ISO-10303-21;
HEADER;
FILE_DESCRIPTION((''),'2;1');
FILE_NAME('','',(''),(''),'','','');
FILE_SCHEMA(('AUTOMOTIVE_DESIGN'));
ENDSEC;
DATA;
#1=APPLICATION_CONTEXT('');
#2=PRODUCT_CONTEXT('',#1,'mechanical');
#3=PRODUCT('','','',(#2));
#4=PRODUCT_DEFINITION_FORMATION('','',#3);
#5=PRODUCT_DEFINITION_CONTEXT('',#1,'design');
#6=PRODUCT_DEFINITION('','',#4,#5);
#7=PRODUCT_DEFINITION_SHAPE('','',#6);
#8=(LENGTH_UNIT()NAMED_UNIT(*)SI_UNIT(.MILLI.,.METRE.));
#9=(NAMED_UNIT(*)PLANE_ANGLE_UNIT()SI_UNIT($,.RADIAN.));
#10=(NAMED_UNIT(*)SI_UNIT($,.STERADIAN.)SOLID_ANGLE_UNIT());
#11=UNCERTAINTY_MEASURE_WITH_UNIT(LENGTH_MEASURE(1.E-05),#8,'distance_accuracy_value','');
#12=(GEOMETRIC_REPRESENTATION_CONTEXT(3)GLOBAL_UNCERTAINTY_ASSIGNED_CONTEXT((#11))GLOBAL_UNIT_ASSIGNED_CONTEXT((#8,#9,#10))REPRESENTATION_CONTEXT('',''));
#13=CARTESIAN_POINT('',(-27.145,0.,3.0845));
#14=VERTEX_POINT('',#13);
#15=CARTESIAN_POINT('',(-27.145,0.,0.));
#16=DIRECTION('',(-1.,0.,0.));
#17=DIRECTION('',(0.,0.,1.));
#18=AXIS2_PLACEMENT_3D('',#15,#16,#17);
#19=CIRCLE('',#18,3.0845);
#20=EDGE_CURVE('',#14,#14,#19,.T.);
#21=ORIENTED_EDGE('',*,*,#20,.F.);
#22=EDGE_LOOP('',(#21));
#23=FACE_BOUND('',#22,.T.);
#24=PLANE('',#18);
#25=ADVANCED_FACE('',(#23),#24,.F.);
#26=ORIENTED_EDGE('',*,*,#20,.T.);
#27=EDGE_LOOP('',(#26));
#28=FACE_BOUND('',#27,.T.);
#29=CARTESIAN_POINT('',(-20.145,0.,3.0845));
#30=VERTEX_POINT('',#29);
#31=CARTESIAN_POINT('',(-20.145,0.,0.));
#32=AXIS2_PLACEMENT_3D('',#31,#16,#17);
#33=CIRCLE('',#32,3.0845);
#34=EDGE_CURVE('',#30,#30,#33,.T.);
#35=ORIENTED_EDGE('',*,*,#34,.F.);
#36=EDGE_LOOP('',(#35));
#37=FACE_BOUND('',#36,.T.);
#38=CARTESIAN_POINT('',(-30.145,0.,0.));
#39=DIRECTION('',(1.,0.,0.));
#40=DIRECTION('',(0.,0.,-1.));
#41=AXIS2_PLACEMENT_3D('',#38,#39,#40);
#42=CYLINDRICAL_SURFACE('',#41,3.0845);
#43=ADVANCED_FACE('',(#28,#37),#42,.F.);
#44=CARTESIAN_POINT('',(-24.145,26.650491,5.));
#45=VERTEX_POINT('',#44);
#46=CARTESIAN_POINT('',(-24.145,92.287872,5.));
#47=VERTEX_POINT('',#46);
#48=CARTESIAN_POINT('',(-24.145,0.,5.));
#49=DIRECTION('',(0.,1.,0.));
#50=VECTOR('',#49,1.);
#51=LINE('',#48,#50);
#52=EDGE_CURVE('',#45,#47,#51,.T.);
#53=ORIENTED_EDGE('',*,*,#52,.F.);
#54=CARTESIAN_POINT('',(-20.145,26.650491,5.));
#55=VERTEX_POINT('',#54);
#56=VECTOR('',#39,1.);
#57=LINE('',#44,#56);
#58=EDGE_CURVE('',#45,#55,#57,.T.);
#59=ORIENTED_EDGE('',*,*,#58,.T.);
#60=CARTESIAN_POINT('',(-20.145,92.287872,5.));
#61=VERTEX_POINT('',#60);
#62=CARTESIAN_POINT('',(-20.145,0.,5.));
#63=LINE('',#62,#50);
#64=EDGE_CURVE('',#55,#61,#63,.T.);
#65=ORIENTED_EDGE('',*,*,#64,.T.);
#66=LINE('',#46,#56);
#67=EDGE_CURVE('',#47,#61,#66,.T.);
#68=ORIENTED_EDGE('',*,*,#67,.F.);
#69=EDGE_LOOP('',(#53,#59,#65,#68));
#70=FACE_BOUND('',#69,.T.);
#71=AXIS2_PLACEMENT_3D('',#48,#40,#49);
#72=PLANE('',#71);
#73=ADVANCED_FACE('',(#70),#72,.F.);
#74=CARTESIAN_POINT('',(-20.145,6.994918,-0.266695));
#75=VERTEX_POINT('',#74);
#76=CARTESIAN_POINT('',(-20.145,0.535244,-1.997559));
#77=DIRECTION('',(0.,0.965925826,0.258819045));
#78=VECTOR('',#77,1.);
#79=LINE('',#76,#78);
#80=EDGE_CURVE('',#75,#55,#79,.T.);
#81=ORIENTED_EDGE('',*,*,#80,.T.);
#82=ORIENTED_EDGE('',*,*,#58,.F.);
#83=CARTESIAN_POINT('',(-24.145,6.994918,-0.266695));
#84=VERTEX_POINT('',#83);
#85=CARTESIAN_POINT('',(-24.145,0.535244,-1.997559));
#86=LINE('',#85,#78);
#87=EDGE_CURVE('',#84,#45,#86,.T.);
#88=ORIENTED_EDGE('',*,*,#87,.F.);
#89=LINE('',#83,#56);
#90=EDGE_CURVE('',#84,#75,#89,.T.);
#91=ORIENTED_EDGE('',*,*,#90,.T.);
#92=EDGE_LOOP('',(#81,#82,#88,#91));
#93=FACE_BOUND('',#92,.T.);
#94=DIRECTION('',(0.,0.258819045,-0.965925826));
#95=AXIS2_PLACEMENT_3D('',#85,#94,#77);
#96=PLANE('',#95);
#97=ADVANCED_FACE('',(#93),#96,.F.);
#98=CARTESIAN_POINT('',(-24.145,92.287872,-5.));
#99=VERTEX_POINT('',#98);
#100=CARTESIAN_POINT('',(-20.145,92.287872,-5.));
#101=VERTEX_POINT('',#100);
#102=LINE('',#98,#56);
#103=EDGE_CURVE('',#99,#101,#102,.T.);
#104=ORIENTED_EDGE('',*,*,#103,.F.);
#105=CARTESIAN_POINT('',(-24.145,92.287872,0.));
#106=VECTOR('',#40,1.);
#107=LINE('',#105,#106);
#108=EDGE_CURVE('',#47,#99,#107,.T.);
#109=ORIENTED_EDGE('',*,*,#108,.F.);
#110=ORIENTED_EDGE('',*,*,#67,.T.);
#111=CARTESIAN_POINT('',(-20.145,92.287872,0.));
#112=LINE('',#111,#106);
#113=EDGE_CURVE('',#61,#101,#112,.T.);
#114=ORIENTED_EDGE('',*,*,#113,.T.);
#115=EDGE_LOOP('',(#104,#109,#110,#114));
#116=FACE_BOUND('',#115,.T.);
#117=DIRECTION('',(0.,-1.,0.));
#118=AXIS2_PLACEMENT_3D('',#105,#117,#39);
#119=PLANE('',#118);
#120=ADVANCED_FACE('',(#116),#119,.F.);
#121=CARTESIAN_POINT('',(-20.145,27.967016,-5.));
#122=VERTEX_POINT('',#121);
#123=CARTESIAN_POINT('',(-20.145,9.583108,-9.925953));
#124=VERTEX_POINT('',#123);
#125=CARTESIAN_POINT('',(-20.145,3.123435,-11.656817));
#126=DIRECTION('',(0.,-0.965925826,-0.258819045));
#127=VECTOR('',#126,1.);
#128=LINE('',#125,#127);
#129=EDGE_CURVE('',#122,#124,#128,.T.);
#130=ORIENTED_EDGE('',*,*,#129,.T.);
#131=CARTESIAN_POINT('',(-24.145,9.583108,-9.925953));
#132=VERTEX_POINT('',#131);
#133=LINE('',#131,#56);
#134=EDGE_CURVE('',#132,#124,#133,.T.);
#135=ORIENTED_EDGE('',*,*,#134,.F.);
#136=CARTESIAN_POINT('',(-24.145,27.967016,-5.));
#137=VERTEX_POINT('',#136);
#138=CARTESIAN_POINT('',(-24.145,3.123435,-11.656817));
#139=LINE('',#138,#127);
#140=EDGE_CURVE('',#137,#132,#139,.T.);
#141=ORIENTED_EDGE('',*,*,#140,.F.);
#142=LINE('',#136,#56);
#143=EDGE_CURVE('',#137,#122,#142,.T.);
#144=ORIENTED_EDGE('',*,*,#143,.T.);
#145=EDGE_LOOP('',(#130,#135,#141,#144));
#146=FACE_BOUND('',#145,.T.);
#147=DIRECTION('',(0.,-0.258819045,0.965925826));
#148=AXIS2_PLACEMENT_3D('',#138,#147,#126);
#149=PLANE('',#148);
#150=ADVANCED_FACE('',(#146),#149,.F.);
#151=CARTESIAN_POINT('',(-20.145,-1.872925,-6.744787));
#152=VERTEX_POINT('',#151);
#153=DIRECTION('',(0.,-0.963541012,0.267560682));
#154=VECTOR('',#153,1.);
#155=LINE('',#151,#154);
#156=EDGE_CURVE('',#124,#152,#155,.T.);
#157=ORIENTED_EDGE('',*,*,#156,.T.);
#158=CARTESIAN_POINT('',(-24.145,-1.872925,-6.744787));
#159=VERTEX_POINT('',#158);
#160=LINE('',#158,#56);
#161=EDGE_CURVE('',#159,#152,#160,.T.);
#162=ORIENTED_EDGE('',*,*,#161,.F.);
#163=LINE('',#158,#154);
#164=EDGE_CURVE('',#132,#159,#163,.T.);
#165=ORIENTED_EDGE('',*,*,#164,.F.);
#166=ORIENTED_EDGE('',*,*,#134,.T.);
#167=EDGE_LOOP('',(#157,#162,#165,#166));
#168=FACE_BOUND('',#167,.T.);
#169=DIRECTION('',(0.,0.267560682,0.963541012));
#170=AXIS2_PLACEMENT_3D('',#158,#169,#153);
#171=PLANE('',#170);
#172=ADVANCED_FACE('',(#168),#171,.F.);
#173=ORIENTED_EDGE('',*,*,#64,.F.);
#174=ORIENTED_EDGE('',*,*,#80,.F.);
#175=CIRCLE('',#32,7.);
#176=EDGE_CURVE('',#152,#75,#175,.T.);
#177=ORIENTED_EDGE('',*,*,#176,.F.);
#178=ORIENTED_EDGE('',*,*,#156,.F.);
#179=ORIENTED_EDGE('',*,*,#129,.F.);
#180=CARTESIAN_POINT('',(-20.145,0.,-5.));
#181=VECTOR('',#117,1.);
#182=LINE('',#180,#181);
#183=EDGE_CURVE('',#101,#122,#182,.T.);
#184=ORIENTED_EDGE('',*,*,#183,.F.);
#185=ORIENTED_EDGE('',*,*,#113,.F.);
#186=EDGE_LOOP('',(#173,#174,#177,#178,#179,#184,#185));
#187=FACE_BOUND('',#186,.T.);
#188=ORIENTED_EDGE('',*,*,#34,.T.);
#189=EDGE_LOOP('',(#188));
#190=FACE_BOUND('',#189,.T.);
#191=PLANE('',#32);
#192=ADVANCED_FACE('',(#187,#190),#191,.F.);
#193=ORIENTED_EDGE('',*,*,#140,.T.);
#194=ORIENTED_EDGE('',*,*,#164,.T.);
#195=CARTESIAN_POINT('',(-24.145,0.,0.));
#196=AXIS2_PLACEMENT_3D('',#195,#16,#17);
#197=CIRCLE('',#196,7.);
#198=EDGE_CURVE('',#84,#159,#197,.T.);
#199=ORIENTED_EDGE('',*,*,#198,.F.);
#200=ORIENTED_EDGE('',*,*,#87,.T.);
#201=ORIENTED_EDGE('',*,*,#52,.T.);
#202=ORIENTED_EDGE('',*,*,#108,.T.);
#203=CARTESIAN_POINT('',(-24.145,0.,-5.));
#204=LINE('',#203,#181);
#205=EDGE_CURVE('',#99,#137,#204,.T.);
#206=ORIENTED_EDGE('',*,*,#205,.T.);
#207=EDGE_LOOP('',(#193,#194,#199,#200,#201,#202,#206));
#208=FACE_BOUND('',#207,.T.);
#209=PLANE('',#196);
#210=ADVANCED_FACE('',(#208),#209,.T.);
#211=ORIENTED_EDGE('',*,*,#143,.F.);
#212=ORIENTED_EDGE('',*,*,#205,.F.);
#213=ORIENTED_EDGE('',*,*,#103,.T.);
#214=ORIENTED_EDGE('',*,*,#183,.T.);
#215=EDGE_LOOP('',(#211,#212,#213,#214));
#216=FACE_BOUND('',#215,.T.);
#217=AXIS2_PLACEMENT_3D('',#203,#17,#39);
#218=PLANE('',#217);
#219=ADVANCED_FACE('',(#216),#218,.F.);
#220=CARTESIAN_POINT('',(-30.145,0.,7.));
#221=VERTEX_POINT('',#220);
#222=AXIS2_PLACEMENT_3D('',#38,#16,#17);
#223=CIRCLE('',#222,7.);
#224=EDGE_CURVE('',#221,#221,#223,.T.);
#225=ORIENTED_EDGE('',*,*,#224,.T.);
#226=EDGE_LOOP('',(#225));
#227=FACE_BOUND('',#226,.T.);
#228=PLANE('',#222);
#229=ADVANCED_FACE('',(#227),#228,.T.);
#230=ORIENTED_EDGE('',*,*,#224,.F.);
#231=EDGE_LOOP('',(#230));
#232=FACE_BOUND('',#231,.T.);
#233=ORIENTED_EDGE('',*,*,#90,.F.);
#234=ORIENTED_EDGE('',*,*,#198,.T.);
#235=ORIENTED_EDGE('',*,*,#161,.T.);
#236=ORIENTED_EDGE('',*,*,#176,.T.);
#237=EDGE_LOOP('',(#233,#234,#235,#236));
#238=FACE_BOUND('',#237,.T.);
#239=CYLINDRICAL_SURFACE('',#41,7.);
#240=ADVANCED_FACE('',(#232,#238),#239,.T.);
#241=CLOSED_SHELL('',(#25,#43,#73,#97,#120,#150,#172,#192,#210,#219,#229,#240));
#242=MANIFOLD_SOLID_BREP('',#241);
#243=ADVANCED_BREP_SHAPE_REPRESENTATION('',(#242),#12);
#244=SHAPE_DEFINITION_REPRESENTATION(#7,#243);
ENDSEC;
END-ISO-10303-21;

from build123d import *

# Parameters (mm, degrees)
SKETCH1_R           = 7
SKETCH1_R_2         = 3.0845
BOSS_EXTRUDE1_DEPTH = 10
BOSS_EXTRUDE2_START = 7
SKETCH1_3_R         = 7
BOSS_EXTRUDE2_DEPTH = 3
BOSS_EXTRUDE3_DEPTH = 4


with BuildPart() as part:
    # Sketch1 → Boss-Extrude1 (new body)
    with BuildSketch(Plane.ZY.offset(20.145)):
        Circle(SKETCH1_R)
        Circle(SKETCH1_R_2, mode=Mode.SUBTRACT)
    extrude(amount=BOSS_EXTRUDE1_DEPTH)

    # Sketch1<3> → Boss-Extrude2 (add)
    with BuildSketch(Plane.ZY.offset(20.145).offset(BOSS_EXTRUDE2_START)):
        Circle(SKETCH1_3_R)
    extrude(amount=BOSS_EXTRUDE2_DEPTH)

    # Sketch1<5> → Boss-Extrude3 (add)
    with BuildSketch(Plane.ZY.offset(20.145)):
        with BuildLine():
            Line((-5, 92.287872085), (-5, 27.967015644))
            Line((-5, 27.967015644), (-9.925953163, 9.583108165))
            Line((-9.925953163, 9.583108165), (-6.744787083, -1.872924772))
            ThreePointArc((-6.744787083, -1.872924772), (-5.652422268, 4.129179399), (-0.2666949, 6.994917714))
            Line((-0.2666949, 6.994917714), (5, 26.650490668))
            Line((5, 26.650490668), (5, 92.287872085))
            Line((5, 92.287872085), (-5, 92.287872085))
        make_face()
    extrude(amount=BOSS_EXTRUDE3_DEPTH)


solid = part.part
